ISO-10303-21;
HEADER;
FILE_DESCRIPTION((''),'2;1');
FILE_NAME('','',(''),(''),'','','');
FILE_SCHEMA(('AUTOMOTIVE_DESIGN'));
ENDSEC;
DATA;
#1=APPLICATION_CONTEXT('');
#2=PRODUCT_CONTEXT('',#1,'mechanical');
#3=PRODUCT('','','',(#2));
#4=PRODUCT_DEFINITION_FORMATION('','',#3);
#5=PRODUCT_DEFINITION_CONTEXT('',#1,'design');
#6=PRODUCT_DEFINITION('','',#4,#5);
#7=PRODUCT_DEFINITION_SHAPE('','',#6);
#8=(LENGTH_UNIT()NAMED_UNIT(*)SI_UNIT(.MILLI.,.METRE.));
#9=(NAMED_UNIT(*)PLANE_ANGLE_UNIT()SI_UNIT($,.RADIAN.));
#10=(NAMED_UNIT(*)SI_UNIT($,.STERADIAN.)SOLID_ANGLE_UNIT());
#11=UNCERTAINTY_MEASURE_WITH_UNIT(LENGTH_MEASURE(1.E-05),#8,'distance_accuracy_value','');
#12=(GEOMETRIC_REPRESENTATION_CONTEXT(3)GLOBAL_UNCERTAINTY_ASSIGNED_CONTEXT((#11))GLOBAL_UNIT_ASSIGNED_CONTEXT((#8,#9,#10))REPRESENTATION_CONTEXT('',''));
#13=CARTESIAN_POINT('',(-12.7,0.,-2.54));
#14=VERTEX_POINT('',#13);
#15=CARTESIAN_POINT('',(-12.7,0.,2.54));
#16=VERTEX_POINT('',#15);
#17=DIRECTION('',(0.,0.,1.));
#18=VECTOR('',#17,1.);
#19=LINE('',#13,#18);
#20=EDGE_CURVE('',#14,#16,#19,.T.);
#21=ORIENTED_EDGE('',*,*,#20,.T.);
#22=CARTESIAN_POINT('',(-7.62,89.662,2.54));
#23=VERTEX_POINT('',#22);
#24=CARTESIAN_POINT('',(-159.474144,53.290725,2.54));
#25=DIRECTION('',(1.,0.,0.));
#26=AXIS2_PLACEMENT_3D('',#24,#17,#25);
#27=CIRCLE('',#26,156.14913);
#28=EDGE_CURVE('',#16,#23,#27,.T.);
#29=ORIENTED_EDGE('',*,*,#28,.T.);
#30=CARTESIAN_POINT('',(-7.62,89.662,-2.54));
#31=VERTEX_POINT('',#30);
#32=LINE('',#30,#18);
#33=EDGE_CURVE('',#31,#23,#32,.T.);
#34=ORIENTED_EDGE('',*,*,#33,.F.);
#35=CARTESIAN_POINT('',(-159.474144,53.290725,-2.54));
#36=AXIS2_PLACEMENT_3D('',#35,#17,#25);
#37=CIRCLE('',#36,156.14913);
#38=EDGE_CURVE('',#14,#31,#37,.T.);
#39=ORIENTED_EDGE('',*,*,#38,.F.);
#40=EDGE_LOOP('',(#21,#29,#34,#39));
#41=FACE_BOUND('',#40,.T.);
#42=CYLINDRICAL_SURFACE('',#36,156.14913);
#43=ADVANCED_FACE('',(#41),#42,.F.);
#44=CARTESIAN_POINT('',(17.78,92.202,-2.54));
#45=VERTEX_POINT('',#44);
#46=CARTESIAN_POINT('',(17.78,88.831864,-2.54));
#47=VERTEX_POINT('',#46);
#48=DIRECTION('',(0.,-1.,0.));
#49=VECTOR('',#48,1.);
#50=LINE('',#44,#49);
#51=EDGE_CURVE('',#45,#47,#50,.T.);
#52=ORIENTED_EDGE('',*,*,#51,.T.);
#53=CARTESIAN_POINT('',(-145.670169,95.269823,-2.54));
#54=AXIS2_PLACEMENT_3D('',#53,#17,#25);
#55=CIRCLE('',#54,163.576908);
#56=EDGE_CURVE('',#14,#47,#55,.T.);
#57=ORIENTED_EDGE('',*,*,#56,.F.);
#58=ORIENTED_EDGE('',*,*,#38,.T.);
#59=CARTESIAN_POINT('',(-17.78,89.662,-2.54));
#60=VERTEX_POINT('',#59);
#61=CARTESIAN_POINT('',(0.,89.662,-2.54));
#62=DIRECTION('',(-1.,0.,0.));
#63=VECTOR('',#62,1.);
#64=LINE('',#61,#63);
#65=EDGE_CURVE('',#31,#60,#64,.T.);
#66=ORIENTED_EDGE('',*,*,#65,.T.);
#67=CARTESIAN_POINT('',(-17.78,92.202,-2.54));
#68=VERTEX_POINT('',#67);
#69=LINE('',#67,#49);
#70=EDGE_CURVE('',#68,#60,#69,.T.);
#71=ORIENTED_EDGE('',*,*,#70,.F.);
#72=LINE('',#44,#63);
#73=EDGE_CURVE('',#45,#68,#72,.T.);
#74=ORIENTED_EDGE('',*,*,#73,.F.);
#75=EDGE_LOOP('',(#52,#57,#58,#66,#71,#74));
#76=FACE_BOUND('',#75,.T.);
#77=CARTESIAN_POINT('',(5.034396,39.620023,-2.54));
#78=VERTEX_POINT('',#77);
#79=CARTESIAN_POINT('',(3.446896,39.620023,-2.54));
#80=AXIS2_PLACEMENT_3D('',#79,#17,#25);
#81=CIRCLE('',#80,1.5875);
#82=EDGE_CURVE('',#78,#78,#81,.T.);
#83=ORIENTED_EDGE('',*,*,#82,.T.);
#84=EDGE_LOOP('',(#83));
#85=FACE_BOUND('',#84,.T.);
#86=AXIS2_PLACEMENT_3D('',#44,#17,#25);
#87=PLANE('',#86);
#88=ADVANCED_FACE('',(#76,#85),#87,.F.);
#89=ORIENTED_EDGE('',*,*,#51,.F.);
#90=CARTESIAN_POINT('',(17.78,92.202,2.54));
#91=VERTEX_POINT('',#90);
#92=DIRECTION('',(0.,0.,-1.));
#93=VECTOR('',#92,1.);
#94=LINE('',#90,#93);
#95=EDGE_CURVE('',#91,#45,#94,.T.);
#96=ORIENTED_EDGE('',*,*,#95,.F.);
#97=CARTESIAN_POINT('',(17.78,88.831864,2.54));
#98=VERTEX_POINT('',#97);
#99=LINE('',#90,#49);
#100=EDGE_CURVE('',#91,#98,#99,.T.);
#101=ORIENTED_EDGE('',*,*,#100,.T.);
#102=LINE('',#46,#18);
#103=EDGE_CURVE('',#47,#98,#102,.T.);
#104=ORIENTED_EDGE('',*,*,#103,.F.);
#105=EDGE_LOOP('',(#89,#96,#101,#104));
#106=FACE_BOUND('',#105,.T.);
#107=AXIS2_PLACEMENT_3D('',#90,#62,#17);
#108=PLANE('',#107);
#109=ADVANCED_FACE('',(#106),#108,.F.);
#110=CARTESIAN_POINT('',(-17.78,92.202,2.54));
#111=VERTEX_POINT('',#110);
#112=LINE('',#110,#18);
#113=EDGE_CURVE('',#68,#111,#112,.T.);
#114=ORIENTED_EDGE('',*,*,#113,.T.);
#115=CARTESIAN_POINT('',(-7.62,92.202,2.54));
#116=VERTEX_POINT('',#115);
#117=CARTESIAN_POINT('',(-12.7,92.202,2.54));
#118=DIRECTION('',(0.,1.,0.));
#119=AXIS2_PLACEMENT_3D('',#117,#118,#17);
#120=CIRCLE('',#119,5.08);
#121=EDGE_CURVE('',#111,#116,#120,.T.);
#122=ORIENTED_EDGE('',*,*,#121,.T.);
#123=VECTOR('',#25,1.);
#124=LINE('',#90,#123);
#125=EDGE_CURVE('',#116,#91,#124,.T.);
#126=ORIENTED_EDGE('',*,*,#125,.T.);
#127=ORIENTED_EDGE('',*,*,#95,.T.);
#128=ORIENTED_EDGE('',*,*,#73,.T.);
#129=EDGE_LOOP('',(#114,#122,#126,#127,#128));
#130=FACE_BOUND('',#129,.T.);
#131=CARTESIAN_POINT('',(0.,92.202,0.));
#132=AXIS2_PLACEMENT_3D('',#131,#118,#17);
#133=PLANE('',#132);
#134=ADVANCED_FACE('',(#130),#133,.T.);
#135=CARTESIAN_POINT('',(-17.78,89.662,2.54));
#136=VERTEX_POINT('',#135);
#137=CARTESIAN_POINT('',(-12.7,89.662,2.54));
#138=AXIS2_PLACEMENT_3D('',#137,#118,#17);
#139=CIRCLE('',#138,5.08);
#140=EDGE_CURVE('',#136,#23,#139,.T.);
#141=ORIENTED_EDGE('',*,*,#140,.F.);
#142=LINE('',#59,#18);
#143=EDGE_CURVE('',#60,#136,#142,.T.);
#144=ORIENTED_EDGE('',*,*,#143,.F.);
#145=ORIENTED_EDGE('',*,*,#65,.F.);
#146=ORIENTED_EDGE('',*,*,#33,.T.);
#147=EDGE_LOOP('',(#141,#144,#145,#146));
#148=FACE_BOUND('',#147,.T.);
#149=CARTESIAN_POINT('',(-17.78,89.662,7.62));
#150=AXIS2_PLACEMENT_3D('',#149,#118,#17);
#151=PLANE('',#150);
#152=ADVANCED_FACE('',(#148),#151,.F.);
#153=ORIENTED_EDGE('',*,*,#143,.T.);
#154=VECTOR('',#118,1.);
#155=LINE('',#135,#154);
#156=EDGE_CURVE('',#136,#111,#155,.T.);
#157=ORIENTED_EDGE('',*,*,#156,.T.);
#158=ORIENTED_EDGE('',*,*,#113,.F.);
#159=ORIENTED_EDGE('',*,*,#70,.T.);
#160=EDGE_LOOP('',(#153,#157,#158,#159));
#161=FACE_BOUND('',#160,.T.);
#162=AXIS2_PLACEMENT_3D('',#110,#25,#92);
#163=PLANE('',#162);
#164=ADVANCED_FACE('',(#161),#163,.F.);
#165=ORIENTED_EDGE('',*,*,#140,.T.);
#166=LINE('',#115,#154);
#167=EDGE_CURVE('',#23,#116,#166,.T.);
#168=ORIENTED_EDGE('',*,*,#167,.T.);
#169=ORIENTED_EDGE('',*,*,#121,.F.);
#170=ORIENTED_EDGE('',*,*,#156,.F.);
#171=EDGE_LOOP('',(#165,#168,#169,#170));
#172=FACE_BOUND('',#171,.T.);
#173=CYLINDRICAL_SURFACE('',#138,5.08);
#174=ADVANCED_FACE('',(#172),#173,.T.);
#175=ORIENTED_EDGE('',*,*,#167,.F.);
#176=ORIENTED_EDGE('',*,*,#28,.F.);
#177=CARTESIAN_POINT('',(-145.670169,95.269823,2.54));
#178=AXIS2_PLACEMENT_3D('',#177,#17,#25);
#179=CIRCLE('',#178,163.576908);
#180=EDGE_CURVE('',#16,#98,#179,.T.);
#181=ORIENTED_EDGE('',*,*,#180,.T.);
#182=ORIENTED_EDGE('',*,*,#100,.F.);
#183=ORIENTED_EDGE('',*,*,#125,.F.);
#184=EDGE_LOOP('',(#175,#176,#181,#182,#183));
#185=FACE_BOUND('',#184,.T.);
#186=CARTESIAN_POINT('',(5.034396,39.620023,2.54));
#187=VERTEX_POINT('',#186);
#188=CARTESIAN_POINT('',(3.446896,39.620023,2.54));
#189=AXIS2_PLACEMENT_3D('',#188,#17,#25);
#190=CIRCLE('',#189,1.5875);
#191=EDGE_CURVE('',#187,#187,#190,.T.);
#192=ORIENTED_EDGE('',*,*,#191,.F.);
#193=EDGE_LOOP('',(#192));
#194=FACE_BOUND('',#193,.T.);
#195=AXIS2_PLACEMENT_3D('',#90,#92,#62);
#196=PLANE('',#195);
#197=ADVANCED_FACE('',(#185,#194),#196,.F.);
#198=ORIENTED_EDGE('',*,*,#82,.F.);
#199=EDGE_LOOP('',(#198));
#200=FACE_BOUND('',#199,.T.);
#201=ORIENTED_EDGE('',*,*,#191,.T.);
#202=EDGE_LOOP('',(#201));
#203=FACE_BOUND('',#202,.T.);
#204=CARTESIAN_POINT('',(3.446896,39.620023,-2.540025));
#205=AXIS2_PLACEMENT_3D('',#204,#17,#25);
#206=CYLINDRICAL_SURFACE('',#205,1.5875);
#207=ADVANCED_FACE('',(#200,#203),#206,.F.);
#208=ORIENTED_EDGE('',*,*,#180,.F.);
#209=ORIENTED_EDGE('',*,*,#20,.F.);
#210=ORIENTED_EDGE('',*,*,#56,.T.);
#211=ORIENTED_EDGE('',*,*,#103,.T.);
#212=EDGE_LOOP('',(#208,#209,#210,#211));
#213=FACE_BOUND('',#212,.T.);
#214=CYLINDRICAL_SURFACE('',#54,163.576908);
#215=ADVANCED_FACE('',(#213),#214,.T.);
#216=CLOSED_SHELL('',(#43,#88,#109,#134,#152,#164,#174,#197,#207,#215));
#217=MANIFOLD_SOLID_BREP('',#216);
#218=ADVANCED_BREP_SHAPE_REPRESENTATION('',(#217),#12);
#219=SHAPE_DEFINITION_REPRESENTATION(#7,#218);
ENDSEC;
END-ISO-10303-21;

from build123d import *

# Parameters (mm, degrees)
SKETCH1_W           = 35.56
SKETCH1_H           = 5.08
BOSS_EXTRUDE1_DEPTH = 92.202
SKETCH4_W           = 10.16
SKETCH4_H           = 2.54
BOSS_EXTRUDE4_DEPTH = 5.08
CUT_EXTRUDE1_DEPTH  = 2.54
CUT_EXTRUDE3_DEPTH  = 95.037990217
SKETCH13_R          = 1.5875
CUT_EXTRUDE4_DEPTH  = 95.037990217


with BuildPart() as part:
    # Sketch1 → Boss-Extrude1 (new body)
    with BuildSketch(Plane(origin=(0, 0, 0), x_dir=(1, 0, 0), z_dir=(0, 1, 0))):
        Rectangle(SKETCH1_W, SKETCH1_H)
    extrude(amount=BOSS_EXTRUDE1_DEPTH)

    # Sketch4 → Boss-Extrude4 (add)
    with BuildSketch(Plane.XY.offset(2.54)):
        with Locations((-12.7, 90.932)):
            Rectangle(SKETCH4_W, SKETCH4_H)
    extrude(amount=BOSS_EXTRUDE4_DEPTH)

    # Sketch5 → Cut-Extrude1 (cut)
    with BuildSketch(Plane(origin=(0, 92.202, 0), x_dir=(1, 0, 0), z_dir=(0, 1, 0))):
        with BuildLine():
            ThreePointArc((-12.7, -7.62), (-16.292102448, -6.132102448), (-17.78, -2.54))
            Line((-17.78, -2.54), (-17.78, -7.62))
            Line((-17.78, -7.62), (-12.7, -7.62))
        make_face()
        with BuildLine():
            Line((-7.62, -7.62), (-7.62, -2.54))
            ThreePointArc((-7.62, -2.54), (-9.107897552, -6.132102448), (-12.7, -7.62))
            Line((-12.7, -7.62), (-7.62, -7.62))
        make_face()
    extrude(amount=-CUT_EXTRUDE1_DEPTH, mode=Mode.SUBTRACT)

    # Sketch7 → Cut-Extrude3 (cut, through all)
    with BuildSketch(Plane.XY.offset(2.54)):
        with BuildLine():
            ThreePointArc((-12.7, 0), (-3.575035086, 44.457914169), (-7.62, 89.662))
            Line((-7.62, 89.662), (-17.78, 89.662))
            Line((-17.78, 89.662), (-17.78, 0))
            Line((-17.78, 0), (-12.7, 0))
        make_face()
        with BuildLine():
            ThreePointArc((17.78, 88.831864431), (9.052257411, 42.18144567), (-12.7, 0))
            Line((-12.7, 0), (17.78, 0))
            Line((17.78, 0), (17.78, 88.831864431))
        make_face()
    extrude(amount=-CUT_EXTRUDE3_DEPTH, mode=Mode.SUBTRACT)

    # Sketch13 → Cut-Extrude4 (cut, through all)
    with BuildSketch(Plane.XY.offset(2.54)):
        with Locations((3.446895522, 39.620022835)):
            Circle(SKETCH13_R)
    extrude(amount=-CUT_EXTRUDE4_DEPTH, mode=Mode.SUBTRACT)


solid = part.part
